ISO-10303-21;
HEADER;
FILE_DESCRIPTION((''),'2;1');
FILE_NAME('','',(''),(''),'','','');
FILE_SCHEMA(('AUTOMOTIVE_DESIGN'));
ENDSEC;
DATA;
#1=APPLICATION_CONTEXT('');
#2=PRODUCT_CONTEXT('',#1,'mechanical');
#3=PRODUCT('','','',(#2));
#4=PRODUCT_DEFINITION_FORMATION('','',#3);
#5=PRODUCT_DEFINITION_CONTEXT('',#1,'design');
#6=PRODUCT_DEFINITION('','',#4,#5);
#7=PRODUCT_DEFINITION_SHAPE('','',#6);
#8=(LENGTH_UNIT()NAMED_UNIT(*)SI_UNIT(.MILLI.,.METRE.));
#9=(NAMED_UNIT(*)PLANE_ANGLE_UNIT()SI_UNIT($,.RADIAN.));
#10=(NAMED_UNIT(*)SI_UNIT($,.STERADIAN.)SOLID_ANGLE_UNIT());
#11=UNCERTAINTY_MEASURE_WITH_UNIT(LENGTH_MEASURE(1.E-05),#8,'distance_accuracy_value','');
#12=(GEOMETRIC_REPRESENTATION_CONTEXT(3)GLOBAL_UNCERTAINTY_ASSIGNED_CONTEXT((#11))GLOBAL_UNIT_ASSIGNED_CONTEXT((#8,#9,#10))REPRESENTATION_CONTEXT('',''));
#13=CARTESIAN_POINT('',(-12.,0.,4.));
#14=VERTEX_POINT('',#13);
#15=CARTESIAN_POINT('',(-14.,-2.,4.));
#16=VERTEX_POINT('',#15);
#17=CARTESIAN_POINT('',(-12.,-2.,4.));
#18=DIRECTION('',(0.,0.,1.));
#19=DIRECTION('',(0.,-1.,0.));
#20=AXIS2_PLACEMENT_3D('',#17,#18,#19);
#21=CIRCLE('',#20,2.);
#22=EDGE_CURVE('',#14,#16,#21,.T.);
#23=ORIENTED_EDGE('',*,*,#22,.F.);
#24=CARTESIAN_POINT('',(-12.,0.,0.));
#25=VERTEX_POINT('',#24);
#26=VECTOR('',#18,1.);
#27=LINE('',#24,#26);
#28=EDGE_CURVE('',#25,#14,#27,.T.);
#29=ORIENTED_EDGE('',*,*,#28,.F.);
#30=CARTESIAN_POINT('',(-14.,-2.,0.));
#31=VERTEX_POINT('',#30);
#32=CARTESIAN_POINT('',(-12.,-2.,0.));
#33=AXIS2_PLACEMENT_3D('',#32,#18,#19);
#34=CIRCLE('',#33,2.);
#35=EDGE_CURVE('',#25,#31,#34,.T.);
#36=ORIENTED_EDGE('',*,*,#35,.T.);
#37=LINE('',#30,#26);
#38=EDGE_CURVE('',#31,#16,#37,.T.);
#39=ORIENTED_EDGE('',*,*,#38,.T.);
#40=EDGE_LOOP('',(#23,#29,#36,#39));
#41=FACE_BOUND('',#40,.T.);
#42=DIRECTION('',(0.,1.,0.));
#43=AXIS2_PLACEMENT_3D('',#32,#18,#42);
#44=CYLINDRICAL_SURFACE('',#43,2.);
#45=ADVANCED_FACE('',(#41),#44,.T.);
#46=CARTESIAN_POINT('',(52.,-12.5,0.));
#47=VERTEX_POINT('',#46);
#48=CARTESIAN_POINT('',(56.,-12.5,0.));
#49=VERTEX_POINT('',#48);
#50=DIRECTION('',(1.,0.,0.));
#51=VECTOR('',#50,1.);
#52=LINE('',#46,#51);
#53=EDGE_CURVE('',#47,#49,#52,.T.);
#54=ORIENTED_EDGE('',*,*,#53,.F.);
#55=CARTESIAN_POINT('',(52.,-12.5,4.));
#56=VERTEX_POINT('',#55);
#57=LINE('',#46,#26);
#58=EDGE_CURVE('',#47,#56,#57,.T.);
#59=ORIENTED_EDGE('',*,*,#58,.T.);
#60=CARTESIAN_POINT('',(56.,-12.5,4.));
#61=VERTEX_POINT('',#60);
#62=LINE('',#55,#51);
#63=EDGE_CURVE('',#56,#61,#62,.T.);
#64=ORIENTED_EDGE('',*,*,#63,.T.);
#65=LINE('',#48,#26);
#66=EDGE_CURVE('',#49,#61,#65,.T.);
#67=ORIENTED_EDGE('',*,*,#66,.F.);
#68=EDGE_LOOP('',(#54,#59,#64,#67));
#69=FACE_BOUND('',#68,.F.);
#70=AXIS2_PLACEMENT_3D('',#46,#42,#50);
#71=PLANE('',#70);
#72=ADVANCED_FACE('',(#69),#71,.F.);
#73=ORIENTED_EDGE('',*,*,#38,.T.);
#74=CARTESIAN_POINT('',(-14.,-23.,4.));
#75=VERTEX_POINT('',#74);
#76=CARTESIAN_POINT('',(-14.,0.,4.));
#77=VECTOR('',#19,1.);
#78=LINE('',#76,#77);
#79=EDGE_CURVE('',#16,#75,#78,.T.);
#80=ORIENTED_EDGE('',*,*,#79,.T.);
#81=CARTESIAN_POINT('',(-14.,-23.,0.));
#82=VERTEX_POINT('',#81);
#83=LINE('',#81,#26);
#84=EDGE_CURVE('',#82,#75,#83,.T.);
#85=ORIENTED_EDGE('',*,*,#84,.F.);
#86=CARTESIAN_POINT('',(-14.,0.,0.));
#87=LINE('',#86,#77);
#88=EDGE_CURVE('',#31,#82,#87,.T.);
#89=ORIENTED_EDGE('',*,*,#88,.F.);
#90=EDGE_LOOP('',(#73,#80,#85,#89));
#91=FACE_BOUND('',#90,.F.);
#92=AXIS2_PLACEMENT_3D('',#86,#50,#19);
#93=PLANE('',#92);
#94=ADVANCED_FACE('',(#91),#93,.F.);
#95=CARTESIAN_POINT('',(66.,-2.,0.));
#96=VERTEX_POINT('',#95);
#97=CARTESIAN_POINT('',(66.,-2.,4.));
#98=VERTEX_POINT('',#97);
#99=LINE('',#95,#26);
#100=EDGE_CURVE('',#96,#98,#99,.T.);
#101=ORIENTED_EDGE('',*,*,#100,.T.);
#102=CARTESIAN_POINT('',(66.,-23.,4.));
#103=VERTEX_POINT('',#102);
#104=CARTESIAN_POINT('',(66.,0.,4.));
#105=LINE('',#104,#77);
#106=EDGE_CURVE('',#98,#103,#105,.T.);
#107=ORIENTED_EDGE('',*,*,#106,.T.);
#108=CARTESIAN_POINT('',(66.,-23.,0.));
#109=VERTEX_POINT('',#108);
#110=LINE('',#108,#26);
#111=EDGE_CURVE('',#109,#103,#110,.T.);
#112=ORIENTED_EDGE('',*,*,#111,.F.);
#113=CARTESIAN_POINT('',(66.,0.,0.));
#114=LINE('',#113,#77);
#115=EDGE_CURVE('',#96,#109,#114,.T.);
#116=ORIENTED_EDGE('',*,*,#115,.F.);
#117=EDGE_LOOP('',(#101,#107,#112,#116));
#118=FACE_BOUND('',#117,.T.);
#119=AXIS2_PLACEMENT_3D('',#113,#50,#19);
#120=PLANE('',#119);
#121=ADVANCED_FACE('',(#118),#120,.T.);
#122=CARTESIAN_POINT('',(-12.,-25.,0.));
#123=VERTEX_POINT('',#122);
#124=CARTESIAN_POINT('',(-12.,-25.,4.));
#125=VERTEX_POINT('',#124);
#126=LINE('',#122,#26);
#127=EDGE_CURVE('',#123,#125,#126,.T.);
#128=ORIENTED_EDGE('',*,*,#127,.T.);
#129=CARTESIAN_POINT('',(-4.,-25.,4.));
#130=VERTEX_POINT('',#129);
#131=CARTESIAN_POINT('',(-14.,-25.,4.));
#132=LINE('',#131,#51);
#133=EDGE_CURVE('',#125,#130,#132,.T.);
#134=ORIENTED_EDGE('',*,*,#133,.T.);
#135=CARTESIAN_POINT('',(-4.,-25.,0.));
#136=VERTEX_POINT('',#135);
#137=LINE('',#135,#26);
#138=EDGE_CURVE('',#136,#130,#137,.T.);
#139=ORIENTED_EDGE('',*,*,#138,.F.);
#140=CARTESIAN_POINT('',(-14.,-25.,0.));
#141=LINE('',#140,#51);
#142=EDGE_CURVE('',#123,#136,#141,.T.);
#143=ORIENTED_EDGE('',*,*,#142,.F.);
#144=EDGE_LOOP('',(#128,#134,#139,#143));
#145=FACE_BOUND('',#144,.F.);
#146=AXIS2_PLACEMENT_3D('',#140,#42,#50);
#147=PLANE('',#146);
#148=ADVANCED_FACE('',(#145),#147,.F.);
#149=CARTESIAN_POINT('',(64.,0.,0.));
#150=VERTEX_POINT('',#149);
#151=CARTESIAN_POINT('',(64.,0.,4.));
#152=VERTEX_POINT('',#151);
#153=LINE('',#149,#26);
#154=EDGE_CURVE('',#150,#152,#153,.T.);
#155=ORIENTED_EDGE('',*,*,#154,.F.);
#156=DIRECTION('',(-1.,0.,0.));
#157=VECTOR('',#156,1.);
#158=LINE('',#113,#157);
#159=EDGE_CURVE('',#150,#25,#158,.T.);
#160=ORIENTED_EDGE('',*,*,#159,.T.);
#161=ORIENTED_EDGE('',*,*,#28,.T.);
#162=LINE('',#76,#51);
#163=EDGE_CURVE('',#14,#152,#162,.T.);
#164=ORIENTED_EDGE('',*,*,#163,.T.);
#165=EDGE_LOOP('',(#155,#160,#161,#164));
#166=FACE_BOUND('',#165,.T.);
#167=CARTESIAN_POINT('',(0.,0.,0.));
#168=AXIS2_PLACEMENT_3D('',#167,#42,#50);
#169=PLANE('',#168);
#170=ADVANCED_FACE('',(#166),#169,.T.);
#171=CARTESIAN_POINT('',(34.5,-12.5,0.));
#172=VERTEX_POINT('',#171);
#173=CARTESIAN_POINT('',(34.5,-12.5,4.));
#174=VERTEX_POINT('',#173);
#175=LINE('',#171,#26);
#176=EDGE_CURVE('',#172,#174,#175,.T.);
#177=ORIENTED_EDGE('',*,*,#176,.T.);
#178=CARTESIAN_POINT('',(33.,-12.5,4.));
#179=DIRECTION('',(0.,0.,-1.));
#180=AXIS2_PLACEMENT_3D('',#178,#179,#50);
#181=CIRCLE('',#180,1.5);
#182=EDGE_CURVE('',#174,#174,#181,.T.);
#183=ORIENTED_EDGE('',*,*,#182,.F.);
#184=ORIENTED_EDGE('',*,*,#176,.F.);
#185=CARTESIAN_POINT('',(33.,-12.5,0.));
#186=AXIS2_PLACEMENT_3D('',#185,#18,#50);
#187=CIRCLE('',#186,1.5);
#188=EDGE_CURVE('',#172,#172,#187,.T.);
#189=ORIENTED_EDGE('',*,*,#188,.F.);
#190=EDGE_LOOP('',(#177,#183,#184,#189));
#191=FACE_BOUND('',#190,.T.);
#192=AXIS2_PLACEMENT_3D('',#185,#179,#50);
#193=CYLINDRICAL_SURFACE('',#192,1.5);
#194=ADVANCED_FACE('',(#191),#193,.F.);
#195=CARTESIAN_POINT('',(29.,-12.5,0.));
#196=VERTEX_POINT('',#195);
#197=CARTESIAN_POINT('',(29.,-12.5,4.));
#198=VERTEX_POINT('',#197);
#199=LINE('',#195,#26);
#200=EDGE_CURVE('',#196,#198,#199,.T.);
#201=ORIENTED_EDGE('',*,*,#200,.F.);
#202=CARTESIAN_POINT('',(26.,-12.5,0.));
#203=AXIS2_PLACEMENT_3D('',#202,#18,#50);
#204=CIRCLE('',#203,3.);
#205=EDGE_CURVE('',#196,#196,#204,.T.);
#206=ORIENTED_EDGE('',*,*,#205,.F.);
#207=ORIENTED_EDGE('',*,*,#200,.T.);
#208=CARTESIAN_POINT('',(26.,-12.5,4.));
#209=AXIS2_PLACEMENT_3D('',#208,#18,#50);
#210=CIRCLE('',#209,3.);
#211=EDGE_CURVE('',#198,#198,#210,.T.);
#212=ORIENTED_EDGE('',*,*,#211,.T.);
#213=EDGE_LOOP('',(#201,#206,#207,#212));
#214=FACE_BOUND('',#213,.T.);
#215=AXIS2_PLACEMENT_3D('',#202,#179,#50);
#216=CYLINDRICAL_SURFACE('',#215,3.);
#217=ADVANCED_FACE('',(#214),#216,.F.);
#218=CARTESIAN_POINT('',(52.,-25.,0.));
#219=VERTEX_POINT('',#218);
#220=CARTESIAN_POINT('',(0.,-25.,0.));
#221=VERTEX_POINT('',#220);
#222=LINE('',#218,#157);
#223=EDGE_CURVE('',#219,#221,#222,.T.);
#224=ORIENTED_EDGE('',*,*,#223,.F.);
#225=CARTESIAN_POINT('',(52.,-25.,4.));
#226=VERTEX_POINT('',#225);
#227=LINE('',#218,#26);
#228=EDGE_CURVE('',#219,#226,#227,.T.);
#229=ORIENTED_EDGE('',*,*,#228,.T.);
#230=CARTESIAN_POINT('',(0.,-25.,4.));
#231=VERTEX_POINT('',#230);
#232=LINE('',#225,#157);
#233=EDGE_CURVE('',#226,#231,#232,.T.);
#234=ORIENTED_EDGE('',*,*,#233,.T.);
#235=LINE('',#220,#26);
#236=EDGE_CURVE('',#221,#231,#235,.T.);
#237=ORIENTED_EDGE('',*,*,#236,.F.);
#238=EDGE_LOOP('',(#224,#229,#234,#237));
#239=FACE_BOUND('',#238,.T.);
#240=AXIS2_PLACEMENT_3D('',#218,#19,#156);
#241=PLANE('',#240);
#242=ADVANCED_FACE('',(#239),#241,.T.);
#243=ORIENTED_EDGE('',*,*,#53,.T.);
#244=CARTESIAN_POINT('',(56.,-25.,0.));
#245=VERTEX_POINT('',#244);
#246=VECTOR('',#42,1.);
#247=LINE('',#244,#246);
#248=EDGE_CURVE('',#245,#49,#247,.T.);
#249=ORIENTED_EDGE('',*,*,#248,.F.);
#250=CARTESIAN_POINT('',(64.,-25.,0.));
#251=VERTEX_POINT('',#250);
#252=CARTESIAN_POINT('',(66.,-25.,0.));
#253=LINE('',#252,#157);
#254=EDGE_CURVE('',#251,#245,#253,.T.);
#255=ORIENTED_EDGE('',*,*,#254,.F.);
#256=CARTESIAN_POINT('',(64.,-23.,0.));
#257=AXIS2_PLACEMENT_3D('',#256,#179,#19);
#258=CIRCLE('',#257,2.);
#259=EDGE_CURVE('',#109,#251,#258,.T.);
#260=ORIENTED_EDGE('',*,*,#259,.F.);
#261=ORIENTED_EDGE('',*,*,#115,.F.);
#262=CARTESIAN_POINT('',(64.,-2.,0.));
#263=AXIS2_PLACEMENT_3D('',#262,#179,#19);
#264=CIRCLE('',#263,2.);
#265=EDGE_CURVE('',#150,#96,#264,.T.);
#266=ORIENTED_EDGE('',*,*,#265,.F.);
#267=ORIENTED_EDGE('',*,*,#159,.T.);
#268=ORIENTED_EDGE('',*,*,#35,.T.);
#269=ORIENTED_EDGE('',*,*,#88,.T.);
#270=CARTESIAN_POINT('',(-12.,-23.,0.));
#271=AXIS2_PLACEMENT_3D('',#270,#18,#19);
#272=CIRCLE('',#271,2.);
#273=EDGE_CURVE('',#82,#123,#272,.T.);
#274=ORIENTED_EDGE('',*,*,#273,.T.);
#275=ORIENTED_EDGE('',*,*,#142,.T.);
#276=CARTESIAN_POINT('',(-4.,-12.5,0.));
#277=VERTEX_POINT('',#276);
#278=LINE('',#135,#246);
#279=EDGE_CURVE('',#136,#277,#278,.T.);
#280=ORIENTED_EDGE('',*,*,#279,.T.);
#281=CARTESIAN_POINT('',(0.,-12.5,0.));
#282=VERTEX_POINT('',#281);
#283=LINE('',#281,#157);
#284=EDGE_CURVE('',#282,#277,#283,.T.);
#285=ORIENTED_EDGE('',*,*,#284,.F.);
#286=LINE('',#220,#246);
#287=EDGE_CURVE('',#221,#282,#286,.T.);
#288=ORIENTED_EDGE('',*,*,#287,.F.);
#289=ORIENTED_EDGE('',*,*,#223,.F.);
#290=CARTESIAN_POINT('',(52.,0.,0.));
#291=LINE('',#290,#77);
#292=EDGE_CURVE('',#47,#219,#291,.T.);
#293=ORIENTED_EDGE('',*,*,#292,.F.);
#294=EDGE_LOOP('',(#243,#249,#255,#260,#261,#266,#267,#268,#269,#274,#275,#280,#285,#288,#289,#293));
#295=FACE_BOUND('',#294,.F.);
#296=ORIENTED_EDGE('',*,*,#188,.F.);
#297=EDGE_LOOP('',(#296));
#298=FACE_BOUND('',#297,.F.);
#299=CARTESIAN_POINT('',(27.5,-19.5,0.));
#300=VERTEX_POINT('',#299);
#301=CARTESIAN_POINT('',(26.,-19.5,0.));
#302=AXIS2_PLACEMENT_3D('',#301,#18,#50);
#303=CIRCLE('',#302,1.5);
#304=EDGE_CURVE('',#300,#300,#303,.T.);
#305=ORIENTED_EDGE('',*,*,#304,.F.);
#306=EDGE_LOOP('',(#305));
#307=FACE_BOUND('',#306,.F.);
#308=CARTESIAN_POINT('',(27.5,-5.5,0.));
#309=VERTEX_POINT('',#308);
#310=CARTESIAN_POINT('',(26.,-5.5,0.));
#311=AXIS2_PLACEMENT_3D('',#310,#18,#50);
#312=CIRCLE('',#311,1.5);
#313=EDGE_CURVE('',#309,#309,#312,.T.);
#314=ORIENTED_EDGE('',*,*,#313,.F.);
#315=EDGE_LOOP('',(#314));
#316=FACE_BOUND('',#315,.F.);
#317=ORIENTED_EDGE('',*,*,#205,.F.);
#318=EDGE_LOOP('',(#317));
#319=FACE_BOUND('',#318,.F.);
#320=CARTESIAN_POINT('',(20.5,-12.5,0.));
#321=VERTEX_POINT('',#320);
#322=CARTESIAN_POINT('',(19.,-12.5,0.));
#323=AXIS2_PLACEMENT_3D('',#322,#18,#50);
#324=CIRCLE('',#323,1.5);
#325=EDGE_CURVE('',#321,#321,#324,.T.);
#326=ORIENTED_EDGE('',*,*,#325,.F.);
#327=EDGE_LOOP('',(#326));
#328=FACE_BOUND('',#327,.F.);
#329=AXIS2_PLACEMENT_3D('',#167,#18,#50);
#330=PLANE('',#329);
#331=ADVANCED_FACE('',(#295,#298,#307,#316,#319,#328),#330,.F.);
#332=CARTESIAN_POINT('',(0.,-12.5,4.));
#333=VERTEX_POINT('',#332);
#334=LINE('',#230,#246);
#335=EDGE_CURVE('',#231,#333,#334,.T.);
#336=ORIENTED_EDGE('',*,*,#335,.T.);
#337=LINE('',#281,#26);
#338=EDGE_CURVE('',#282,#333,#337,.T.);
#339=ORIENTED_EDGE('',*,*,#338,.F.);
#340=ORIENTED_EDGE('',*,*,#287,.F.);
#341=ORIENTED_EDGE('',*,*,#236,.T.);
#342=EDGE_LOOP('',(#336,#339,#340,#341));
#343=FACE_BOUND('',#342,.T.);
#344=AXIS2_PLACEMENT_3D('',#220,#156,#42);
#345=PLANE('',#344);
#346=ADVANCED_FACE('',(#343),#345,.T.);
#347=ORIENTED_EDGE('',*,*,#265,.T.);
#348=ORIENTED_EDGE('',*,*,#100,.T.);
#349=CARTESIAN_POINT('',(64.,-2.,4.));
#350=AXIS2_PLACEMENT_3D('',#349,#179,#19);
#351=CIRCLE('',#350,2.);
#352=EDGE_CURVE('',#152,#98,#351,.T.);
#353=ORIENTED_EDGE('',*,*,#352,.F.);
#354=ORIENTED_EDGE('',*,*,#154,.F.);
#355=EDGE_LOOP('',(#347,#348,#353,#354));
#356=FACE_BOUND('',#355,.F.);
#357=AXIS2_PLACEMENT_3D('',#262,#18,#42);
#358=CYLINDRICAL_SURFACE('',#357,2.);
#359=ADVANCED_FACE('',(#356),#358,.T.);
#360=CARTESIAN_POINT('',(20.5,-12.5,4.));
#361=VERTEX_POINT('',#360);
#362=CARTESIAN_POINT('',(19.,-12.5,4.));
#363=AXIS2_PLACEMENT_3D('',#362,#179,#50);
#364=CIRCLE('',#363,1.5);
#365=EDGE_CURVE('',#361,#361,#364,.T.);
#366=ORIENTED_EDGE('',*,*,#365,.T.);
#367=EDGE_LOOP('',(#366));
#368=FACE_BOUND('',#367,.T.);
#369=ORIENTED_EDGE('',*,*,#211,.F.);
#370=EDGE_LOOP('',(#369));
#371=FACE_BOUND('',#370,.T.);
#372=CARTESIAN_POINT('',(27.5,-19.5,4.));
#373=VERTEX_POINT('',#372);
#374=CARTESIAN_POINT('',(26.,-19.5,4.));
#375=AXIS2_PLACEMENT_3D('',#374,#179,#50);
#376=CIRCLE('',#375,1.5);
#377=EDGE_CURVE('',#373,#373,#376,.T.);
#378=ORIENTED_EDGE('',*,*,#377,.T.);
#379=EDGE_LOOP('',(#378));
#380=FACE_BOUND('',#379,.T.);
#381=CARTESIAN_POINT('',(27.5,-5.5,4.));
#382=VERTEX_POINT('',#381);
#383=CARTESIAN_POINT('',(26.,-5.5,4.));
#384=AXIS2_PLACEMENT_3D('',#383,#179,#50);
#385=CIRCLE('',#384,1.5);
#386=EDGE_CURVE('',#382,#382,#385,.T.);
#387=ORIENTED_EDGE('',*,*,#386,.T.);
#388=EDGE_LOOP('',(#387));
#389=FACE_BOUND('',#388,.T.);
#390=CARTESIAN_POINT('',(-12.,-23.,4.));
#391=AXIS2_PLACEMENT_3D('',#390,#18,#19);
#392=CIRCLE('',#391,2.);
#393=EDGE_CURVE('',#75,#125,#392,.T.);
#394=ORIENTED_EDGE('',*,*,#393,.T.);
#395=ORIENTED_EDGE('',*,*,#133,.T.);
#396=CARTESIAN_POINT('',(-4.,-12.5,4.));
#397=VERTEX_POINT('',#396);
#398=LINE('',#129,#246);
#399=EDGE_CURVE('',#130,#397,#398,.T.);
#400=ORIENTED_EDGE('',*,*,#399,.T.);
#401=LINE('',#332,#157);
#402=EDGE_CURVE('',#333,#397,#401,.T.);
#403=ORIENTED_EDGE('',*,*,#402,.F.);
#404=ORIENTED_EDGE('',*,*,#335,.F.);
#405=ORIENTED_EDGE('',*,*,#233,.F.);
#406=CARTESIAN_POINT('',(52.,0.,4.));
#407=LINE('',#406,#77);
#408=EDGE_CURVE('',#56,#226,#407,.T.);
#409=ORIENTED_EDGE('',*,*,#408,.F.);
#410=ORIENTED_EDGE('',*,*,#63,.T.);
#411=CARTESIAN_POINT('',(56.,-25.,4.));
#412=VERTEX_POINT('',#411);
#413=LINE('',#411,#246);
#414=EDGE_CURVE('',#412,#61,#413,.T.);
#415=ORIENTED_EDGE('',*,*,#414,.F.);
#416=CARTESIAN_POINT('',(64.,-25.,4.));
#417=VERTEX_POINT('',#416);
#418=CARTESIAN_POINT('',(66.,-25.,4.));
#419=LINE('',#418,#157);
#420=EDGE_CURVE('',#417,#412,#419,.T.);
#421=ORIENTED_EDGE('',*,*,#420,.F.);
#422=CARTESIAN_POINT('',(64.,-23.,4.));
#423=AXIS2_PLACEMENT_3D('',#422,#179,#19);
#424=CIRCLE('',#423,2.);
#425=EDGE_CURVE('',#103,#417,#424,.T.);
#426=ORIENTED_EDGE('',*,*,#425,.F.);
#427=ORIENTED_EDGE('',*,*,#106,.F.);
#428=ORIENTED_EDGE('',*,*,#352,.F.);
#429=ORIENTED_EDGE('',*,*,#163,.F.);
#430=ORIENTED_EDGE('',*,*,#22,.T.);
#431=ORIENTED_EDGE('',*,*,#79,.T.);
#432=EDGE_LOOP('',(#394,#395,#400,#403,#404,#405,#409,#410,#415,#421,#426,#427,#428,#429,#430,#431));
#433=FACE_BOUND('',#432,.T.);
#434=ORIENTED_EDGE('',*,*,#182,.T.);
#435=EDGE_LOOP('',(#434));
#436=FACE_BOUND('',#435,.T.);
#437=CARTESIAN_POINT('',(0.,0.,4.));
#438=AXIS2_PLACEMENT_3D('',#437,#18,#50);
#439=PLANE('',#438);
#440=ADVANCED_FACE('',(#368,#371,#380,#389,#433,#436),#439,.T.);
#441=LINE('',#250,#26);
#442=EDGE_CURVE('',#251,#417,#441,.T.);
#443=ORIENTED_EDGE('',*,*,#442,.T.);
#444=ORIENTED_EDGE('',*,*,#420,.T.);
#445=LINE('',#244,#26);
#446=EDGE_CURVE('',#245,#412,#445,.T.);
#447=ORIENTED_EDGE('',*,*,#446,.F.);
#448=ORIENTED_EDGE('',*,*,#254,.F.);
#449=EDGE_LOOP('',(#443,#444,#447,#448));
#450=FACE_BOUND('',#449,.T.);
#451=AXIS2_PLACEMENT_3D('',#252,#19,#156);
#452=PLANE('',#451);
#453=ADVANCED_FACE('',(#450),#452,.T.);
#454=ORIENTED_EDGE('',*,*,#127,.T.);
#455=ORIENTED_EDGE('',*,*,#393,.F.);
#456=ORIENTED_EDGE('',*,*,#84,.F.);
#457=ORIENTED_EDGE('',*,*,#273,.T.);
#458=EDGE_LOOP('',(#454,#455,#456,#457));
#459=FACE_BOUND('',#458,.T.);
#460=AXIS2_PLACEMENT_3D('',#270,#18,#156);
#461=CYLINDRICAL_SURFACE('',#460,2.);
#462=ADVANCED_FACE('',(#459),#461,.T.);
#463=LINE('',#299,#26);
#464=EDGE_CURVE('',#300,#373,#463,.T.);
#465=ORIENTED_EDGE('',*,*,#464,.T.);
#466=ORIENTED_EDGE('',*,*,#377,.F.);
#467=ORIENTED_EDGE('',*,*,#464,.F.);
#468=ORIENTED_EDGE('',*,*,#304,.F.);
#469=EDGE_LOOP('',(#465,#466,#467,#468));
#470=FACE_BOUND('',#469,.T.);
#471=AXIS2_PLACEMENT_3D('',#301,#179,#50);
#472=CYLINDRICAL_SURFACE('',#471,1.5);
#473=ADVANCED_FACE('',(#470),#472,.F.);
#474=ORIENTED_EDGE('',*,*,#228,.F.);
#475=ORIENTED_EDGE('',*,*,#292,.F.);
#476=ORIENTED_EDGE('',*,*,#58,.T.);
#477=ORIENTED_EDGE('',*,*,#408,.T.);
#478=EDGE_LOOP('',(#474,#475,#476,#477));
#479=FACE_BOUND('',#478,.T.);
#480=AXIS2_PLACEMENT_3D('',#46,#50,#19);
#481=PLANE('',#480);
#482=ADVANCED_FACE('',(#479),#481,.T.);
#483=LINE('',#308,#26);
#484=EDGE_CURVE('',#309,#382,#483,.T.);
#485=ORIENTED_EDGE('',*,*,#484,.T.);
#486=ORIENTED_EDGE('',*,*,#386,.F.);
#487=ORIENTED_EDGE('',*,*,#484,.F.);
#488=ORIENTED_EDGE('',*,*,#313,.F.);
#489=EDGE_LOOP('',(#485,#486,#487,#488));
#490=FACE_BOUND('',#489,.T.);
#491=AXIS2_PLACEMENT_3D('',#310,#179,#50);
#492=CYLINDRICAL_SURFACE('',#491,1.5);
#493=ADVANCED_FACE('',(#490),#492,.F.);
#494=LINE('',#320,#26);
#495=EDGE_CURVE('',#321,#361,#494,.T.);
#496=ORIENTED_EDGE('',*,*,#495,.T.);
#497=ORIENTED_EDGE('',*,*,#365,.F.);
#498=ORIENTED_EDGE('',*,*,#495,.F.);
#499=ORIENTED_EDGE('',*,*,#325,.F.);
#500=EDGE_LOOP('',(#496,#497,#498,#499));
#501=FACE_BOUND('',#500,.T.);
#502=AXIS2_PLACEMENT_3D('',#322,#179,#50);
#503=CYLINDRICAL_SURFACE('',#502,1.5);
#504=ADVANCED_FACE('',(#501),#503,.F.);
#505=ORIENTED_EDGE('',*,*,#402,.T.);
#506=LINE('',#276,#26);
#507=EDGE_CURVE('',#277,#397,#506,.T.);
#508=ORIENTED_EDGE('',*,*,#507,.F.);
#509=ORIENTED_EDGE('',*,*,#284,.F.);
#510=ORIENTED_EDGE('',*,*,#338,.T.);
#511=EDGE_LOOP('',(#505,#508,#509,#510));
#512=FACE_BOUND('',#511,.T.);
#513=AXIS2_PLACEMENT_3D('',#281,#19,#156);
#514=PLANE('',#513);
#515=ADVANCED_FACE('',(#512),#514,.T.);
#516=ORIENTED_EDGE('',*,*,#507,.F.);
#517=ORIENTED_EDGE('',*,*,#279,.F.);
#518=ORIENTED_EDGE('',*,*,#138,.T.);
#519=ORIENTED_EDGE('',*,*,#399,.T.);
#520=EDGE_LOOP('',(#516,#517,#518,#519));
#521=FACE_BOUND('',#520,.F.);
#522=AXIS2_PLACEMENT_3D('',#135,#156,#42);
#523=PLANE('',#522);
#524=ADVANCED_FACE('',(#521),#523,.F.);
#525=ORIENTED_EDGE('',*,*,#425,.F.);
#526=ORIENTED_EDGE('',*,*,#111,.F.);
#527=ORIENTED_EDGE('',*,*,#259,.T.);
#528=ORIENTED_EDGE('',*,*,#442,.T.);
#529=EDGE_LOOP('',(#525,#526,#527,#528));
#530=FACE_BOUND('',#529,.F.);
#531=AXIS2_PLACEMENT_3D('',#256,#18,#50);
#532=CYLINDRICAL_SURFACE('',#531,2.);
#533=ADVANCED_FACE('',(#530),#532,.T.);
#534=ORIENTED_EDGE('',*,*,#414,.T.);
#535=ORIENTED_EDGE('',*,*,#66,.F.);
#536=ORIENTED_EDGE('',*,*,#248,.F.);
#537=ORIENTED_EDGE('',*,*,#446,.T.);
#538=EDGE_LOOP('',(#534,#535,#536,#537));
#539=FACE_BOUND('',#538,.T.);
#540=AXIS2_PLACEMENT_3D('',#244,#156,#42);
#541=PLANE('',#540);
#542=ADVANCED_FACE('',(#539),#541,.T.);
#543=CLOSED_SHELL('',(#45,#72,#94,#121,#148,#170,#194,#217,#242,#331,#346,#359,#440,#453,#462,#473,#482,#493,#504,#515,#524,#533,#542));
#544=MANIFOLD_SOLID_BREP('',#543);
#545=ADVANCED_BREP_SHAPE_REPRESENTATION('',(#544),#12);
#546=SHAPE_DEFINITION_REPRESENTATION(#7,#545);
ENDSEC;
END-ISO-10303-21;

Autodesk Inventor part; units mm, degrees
ref_plane "YZ Plane" through (0, 0, 0) normal (1, 0, 0) x (0, 1, 0)
ref_plane "XZ Plane" through (0, 0, 0) normal (0, 1, 0) x (-1, 0, 0)
ref_plane "XY Plane" through (0, 0, 0) normal (0, 0, 1) x (1, 0, 0)
sketch "Эскиз1" plane through (0, 0, 0) normal (0, 0, 1) x (1, 0, 0)
  line L0 (0, 0) -> (52, 0)
  line L1 (52, 0) -> (52, -25)
  line L2 (52, -25) -> (0, -25)
  line L3 (0, -25) -> (0, 0)
  line L4 (0, -12.5) -> (-4, -12.5)
  line L5 (-4, -12.5) -> (-4, 0)
  line L6 (-4, 0) -> (0, 0)
  line L7 (0, 0) -> (0, -12.5)
  line L8 (-4, 0) -> (-14, 0)
  line L9 (-14, 0) -> (-14, -25)
  line L10 (-14, -25) -> (-4, -25)
  line L11 (-4, -25) -> (-4, 0)
  line L12 (52, -12.5) -> (56, -12.5)
  line L13 (56, -12.5) -> (56, 0)
  line L14 (56, 0) -> (52, 0)
  line L15 (52, 0) -> (52, -12.5)
  line L16 (56, 0) -> (66, 0)
  line L17 (66, 0) -> (66, -25)
  line L18 (66, -25) -> (56, -25)
  line L19 (56, -25) -> (56, 0)
  circle A0 centre (26, -12.5) radius 3
  circle A1 centre (26, -12.5) radius 7
  circle A2 centre (33, -12.5) radius 1.5
  circle A3 centre (19, -12.5) radius 1.5
  circle A4 centre (26, -5.5) radius 1.5
  circle A5 centre (26, -19.5) radius 1.5
  dimension "d0" = 52
  dimension "d1" = 25
  dimension "d2" = 4
  dimension "d3" = 10
  dimension "d4" = 4
  dimension "d5" = 10
  dimension "d9" = 6
  dimension "d10" = 14
  dimension "d11" = 3
  dimension "d12" = 3
  dimension "d13" = 3
  dimension "d14" = 3
extrude "Выдавливание1" add sketch "Эскиз1" along normal blind 4 contours L0 L1 L2 L3 | L3 L4 L5 L6 | L14 L13 L12 L1 | L5 L11 L10 L9 L8 | L16 L17 L18 L19 L13 | A2 A1 A5 A3 A4
fillet "Сопряжение1" radius 2 4 edges at (66, 0, 2) (66, -25, 2) (-14, -25, 2) (-14, 0, 2)
properties material "Дерево (вишня)"
